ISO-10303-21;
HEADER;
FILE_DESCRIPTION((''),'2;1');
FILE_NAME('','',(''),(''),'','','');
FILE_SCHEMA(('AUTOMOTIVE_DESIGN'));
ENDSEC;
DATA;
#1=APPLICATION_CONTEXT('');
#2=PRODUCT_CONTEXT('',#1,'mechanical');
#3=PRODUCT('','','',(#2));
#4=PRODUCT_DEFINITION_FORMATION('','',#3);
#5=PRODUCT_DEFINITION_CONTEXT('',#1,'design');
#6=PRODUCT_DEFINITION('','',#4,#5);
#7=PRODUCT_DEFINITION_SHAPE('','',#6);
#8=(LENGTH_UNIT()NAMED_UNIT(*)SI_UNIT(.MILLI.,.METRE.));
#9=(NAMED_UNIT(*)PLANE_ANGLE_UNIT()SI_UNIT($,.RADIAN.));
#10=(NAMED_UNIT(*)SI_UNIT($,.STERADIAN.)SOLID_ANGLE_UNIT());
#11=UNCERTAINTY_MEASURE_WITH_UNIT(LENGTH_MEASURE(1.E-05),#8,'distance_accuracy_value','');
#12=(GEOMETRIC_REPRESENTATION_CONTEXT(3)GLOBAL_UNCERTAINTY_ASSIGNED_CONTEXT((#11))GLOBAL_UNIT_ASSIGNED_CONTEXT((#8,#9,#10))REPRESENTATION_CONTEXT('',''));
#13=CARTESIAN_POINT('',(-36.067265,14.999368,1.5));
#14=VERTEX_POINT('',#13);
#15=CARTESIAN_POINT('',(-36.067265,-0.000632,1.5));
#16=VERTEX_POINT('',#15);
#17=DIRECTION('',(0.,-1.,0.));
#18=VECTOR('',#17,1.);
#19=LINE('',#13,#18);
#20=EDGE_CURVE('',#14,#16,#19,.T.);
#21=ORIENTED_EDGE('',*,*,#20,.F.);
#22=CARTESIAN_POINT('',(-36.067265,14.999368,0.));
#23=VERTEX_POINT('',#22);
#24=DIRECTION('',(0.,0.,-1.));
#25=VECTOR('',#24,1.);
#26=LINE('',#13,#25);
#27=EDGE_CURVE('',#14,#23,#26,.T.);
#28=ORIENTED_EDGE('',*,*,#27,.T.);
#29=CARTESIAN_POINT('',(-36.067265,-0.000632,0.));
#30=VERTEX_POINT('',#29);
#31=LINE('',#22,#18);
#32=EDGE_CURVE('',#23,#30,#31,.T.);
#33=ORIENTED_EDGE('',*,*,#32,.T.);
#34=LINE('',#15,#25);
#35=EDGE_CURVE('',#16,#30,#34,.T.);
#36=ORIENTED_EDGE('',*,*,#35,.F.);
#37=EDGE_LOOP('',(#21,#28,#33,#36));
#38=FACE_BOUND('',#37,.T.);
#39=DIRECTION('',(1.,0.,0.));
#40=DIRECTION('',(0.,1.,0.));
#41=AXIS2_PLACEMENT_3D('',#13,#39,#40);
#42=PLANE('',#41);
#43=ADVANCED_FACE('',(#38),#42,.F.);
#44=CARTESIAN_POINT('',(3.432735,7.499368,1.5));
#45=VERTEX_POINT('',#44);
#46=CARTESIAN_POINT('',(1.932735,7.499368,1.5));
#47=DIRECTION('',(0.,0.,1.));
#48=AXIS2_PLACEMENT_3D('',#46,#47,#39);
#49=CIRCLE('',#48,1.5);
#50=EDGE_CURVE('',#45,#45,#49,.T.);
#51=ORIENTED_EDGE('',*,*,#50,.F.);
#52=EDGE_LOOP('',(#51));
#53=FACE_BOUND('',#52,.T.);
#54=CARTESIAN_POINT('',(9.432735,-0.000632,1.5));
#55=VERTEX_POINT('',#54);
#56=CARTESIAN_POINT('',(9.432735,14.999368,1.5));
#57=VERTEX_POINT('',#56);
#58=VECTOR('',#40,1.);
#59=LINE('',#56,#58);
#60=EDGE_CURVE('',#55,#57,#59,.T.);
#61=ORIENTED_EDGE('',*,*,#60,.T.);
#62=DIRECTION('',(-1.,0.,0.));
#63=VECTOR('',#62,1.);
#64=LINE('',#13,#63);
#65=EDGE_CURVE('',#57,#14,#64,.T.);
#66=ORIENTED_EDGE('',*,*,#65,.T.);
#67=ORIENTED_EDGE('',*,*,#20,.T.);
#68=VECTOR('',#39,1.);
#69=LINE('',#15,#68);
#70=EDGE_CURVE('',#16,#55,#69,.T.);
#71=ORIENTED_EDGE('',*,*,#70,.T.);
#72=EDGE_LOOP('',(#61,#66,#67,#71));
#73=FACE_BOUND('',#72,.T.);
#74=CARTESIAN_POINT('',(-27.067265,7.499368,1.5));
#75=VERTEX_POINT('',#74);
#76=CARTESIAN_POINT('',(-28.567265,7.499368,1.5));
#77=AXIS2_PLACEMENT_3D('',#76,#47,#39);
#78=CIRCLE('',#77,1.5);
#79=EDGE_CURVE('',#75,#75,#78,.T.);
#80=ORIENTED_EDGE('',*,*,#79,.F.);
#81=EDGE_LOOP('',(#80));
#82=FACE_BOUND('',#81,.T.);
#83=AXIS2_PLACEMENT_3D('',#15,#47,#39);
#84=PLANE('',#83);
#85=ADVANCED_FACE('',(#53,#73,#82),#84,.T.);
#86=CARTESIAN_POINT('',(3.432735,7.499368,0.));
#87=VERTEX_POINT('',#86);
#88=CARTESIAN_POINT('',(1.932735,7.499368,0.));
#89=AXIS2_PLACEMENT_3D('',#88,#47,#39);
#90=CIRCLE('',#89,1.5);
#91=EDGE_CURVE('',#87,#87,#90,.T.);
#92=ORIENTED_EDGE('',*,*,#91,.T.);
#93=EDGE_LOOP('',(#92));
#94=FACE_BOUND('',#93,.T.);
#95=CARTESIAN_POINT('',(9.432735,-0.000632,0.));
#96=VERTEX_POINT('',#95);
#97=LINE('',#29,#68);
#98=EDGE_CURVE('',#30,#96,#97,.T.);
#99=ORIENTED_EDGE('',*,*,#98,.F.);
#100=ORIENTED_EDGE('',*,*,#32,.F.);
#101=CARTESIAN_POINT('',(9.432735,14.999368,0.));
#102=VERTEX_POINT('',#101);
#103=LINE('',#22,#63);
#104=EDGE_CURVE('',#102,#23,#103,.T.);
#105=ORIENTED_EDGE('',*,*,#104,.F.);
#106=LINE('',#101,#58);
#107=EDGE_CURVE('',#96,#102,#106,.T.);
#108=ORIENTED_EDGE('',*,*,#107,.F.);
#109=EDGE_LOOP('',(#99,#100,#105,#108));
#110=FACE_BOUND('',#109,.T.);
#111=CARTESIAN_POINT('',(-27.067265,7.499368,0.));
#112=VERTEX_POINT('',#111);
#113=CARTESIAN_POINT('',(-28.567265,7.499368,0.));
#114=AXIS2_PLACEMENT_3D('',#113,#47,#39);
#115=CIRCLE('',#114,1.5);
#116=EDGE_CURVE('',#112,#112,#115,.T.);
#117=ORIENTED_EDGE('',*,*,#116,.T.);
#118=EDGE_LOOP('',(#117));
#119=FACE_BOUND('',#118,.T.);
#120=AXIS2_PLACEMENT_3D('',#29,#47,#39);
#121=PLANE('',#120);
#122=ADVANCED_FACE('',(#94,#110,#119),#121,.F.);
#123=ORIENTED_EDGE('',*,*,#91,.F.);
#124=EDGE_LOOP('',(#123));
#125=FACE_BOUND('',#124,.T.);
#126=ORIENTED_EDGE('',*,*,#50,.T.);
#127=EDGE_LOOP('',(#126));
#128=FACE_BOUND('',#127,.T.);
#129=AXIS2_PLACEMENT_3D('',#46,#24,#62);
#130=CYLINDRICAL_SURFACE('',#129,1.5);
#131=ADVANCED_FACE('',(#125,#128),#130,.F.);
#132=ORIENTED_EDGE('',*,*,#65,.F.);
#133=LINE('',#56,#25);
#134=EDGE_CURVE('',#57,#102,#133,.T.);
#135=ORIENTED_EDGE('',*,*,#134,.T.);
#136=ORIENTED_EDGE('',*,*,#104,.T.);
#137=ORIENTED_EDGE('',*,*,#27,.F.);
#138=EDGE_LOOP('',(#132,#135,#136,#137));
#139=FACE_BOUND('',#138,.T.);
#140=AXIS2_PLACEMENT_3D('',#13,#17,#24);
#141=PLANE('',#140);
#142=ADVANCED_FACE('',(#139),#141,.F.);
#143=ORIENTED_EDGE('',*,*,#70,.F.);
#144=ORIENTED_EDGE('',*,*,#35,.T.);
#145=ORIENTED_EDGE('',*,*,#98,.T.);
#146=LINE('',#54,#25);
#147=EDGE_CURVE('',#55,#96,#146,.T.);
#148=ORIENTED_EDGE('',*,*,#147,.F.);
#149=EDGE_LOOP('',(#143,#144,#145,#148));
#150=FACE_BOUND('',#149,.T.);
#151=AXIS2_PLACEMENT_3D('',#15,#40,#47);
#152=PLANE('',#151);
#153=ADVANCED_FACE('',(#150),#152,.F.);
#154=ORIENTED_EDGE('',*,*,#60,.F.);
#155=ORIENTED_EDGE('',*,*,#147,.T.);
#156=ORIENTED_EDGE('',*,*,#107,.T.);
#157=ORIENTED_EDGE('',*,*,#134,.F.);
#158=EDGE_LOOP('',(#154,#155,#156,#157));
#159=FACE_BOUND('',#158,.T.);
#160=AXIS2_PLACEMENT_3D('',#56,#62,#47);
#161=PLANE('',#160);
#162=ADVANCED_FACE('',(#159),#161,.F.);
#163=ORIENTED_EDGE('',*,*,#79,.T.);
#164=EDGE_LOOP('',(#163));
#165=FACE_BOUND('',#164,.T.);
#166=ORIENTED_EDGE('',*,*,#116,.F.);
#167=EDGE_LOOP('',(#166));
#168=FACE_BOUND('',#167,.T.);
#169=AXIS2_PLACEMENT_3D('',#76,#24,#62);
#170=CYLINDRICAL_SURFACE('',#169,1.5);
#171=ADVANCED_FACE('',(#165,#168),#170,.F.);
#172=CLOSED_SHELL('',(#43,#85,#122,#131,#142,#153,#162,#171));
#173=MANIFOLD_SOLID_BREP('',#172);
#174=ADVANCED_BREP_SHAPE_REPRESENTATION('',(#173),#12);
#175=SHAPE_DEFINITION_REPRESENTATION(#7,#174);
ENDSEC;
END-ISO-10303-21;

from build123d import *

# Parameters (mm, degrees)
ESQUISSE1_W      = 45.5
ESQUISSE1_H      = 15
ESQUISSE1_R      = 1.5
EXTRUSION1_DEPTH = 1.5


with BuildPart() as part:
    # Esquisse1 → Extrusion1 (new body)
    with BuildSketch(Plane.XY):
        with Locations((-13.317265327, 7.499368421)):
            Rectangle(ESQUISSE1_W, ESQUISSE1_H)
        with Locations((-28.567265327, 7.499368421)):
            Circle(ESQUISSE1_R, mode=Mode.SUBTRACT)
        with Locations((1.932734673, 7.499368421)):
            Circle(ESQUISSE1_R, mode=Mode.SUBTRACT)
    extrude(amount=EXTRUSION1_DEPTH)


solid = part.part
